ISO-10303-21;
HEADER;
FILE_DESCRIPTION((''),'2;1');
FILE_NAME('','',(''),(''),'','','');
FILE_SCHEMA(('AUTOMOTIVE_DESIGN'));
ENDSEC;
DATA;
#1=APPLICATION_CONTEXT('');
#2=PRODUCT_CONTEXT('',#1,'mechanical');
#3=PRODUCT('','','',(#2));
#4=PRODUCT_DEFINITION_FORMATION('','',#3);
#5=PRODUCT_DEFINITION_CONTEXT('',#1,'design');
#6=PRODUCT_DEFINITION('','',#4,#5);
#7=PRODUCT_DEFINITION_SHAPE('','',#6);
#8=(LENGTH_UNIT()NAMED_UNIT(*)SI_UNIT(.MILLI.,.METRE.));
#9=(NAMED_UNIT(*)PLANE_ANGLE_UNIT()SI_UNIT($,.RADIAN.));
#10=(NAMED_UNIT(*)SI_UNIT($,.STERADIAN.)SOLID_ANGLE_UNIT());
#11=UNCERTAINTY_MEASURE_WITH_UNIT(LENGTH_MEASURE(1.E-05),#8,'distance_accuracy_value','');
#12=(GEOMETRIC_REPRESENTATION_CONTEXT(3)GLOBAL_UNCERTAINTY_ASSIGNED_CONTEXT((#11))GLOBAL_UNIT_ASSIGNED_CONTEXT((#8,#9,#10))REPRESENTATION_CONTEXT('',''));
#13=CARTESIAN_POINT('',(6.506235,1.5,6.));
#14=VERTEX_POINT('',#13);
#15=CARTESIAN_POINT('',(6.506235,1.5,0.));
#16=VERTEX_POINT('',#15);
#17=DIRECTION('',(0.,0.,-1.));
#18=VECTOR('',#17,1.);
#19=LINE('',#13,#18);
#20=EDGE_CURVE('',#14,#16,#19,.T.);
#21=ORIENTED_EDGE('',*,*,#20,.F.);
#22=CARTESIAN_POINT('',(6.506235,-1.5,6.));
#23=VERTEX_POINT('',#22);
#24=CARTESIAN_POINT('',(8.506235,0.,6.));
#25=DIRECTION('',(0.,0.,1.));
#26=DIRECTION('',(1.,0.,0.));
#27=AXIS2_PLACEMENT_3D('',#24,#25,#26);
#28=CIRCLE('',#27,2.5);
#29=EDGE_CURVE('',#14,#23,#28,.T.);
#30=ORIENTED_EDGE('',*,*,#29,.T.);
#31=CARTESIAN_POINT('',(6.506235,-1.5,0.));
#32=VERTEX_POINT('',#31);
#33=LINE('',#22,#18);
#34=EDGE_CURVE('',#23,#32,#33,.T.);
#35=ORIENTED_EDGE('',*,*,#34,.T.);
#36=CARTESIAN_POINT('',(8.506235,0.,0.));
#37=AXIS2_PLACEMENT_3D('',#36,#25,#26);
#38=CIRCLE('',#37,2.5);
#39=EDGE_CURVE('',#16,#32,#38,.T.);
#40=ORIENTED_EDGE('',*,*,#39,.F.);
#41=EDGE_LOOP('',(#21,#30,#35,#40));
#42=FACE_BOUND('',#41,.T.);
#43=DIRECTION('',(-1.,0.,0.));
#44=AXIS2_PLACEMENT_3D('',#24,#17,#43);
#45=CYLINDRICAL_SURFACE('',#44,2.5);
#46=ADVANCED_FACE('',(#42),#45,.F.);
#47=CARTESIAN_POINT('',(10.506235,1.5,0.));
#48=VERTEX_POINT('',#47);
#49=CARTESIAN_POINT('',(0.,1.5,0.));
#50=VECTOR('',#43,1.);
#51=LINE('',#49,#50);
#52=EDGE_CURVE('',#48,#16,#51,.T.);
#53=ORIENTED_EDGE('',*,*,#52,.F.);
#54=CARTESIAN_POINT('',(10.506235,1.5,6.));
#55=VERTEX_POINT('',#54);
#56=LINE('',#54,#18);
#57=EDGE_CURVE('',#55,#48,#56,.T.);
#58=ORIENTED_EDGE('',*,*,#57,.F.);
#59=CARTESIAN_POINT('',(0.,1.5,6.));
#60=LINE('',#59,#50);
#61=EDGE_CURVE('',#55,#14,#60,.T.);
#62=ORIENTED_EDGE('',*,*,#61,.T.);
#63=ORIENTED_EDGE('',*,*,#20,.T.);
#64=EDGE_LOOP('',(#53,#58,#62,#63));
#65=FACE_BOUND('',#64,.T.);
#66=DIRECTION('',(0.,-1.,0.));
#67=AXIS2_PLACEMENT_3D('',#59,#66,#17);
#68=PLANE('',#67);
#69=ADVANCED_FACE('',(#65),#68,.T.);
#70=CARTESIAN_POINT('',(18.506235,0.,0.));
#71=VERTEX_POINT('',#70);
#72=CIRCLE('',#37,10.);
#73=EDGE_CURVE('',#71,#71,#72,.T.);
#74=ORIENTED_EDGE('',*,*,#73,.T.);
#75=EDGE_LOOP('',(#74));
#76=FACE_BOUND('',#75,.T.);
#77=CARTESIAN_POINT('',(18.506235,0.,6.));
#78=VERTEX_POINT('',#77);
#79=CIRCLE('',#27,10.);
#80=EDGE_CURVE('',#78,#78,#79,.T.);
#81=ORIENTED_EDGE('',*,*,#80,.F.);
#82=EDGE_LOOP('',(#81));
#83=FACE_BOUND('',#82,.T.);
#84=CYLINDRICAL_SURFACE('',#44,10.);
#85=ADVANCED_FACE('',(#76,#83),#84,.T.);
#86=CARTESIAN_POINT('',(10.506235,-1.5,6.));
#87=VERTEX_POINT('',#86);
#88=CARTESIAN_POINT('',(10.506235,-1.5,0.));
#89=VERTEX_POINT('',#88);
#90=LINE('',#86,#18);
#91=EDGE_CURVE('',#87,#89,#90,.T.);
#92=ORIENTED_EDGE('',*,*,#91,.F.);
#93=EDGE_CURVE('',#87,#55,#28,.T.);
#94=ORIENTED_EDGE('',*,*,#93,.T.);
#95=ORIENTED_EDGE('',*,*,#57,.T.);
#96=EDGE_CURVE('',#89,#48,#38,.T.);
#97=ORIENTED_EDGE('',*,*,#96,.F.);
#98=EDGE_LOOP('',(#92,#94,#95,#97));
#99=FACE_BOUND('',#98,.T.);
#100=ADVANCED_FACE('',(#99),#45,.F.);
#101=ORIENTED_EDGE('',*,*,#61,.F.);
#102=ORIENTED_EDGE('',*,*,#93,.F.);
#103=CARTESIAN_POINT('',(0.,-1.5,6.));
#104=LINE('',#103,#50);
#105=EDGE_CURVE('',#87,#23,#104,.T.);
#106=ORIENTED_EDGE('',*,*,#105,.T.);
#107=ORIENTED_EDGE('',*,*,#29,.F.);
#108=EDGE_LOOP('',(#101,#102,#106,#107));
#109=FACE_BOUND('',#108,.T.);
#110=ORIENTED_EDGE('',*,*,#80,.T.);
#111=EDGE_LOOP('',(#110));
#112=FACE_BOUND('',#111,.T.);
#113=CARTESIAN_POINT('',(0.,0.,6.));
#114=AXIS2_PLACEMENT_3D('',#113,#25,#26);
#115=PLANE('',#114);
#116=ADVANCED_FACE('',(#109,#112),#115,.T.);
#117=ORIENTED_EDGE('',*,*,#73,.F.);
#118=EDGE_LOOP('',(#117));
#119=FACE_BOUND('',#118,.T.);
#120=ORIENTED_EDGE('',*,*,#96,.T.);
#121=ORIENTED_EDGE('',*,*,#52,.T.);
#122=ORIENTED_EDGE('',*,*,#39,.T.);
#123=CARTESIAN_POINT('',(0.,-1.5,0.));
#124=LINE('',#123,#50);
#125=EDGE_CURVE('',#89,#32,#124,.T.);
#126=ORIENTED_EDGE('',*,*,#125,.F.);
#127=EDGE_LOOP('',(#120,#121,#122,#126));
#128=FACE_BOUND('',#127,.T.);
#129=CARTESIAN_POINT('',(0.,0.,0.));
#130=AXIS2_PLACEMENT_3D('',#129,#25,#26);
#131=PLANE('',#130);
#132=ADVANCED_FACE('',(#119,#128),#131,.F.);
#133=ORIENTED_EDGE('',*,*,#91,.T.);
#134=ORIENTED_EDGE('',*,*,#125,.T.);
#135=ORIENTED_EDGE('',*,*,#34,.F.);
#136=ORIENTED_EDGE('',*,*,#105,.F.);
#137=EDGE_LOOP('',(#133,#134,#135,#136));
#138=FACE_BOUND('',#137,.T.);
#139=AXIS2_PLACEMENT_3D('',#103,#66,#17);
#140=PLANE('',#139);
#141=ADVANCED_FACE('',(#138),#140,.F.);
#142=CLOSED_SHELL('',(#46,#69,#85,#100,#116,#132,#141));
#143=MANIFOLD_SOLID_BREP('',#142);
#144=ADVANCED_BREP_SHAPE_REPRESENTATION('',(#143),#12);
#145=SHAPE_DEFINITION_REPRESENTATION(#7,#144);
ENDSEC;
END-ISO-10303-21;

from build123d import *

# Parameters (mm, degrees)
SKETCH1_R           = 10
SKETCH1_R_2         = 2.5
BOSS_EXTRUDE1_DEPTH = 6


with BuildPart() as part:
    # Sketch1 → Boss-Extrude1 (new body)
    # profile 1 of 3: a face of its own
    with BuildSketch(Plane(origin=(0, 0, 0), x_dir=(-1, 0, 0), z_dir=(0, 0, 1))):
        with Locations(Location((-8.506234752, 0, 0), (0, 0, 180))):
            Circle(SKETCH1_R)
        with Locations((-8.506234752, 0)):
            Circle(SKETCH1_R_2, mode=Mode.SUBTRACT)
    # profile 2 of 3: a face of its own
    with BuildSketch(Plane(origin=(0, 0, 0), x_dir=(-1, 0, 0), z_dir=(0, 0, 1))):
        with BuildLine():
            Line((-6.506234752, -1.5), (-10.506234752, -1.5))
            ThreePointArc((-10.506234752, -1.5), (-8.506234752, -2.5), (-6.506234752, -1.5))
        make_face()
    # profile 3 of 3: a face of its own
    with BuildSketch(Plane(origin=(0, 0, 0), x_dir=(-1, 0, 0), z_dir=(0, 0, 1))):
        with BuildLine():
            ThreePointArc((-6.506234752, 1.5), (-8.506234752, 2.5), (-10.506234752, 1.5))
            Line((-10.506234752, 1.5), (-6.506234752, 1.5))
        make_face()
    extrude(amount=BOSS_EXTRUDE1_DEPTH)


solid = part.part
